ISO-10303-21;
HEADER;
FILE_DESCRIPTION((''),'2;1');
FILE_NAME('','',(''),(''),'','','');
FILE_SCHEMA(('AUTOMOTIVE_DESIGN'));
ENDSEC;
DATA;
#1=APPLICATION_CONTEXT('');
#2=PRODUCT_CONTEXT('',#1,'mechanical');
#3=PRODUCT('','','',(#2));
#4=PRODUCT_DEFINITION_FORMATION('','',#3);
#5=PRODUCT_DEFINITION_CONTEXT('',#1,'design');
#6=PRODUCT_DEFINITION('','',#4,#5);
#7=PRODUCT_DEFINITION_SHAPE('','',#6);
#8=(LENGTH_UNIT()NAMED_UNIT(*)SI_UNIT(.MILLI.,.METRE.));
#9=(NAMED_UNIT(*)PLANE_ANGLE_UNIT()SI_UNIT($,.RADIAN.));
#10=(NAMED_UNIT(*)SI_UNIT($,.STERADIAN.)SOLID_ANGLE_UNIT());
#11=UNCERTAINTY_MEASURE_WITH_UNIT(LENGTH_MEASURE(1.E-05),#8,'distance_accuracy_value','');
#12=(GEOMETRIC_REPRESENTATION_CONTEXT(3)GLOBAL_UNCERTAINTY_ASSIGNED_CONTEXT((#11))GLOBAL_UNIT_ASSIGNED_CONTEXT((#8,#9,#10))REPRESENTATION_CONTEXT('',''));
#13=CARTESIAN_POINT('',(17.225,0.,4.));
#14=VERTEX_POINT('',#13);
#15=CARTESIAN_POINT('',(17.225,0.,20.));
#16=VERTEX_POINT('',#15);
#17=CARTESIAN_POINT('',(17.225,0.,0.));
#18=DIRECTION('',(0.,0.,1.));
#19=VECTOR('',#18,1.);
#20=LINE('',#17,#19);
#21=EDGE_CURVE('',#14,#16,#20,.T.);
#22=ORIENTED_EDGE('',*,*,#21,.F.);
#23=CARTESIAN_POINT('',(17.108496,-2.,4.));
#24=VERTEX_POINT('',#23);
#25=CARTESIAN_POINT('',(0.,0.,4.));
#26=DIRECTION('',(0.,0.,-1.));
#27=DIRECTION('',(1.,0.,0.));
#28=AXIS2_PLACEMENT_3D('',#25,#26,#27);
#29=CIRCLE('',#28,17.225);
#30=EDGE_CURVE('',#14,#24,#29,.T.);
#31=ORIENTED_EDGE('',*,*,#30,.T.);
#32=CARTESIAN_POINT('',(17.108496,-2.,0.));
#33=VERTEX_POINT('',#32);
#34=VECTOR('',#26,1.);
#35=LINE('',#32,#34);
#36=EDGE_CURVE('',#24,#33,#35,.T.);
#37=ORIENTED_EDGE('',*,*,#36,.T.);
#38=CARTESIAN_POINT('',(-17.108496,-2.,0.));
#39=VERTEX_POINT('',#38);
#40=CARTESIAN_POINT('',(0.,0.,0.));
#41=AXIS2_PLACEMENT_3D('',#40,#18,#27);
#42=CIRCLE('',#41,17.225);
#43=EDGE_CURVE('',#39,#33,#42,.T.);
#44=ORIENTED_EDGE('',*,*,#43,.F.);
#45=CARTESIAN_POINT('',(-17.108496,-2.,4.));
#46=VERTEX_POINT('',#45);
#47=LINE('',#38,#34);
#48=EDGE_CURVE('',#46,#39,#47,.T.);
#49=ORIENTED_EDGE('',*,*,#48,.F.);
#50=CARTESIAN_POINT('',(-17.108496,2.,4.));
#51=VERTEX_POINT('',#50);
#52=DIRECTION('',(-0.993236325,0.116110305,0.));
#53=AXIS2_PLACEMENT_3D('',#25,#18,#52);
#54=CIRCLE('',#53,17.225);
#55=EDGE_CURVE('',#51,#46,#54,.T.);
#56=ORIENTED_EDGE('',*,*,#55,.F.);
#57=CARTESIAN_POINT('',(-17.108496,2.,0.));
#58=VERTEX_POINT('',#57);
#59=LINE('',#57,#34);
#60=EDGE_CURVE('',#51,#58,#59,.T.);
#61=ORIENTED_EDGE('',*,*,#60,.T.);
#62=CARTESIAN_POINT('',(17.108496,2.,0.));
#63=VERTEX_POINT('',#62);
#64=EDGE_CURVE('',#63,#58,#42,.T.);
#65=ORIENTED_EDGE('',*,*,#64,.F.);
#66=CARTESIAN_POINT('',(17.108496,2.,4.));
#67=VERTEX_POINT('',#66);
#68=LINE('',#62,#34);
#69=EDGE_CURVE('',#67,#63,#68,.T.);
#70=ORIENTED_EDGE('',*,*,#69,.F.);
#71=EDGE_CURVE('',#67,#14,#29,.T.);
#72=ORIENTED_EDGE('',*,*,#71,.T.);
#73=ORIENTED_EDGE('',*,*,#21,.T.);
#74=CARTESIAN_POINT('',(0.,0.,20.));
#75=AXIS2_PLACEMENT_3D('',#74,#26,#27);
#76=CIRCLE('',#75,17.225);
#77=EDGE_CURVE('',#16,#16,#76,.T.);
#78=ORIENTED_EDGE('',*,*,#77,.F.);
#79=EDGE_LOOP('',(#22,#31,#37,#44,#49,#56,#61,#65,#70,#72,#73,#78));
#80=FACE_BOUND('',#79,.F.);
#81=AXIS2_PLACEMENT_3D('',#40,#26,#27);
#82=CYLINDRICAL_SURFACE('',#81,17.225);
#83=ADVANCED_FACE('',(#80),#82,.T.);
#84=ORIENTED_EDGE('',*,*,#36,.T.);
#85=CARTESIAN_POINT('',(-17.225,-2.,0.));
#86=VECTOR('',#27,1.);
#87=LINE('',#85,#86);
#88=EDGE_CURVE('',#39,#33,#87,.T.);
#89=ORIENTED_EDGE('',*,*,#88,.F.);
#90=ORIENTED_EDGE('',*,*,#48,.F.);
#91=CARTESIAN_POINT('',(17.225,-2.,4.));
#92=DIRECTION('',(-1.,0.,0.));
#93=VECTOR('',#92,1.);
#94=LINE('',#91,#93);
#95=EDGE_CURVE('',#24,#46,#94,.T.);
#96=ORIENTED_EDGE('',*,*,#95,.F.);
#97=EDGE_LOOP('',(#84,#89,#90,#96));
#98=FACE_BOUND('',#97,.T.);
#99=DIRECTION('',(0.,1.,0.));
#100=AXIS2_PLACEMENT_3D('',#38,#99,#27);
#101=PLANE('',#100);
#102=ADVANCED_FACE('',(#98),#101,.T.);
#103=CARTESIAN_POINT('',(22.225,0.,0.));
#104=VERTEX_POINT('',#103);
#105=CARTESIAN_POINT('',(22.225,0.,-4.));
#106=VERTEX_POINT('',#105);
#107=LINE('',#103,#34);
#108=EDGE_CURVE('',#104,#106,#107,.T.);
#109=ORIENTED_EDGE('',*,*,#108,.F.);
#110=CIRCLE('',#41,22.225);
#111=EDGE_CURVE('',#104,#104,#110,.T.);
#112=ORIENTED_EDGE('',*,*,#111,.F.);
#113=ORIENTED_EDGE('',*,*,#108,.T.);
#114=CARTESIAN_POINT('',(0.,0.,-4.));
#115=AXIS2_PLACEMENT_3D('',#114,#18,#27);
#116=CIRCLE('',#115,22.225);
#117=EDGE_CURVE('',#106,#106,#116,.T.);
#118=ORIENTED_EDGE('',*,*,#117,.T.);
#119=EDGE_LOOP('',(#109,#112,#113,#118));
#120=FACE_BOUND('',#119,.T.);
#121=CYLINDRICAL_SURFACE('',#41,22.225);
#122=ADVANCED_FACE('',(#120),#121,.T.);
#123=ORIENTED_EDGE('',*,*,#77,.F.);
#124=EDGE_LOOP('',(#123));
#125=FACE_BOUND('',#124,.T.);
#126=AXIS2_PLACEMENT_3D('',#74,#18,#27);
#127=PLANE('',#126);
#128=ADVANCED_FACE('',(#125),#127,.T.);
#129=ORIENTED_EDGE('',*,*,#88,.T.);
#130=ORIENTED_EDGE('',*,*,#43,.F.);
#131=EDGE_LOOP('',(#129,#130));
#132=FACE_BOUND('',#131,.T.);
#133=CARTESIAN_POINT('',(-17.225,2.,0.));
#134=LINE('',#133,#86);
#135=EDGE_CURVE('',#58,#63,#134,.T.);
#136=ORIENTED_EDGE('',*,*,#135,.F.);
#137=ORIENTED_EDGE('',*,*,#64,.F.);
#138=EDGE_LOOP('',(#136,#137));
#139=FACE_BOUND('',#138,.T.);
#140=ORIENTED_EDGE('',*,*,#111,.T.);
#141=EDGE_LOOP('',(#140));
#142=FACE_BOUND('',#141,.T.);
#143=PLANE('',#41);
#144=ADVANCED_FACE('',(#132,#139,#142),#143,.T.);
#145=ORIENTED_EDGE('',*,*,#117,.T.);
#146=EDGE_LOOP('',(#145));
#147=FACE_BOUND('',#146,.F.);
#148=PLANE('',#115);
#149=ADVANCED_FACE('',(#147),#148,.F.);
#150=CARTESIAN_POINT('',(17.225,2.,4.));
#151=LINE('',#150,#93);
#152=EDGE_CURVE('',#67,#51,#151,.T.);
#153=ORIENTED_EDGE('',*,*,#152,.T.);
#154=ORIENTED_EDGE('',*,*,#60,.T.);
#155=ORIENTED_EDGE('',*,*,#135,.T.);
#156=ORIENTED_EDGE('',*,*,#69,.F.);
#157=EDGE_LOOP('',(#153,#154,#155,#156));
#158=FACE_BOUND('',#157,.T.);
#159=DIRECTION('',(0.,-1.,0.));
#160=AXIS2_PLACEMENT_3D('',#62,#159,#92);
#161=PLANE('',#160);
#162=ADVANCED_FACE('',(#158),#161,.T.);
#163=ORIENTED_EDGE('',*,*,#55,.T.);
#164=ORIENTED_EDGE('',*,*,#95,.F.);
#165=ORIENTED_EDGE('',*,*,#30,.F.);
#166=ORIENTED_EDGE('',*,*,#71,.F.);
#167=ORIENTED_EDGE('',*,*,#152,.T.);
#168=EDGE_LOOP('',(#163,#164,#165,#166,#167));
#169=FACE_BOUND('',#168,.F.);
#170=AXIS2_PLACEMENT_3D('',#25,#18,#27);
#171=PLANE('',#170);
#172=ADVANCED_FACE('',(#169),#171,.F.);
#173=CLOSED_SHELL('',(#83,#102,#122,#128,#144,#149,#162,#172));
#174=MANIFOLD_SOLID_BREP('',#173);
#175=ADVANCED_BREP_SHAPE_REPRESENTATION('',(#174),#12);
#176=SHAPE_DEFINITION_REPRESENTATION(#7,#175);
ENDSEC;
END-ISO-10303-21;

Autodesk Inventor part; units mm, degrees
ref_plane "YZ Plane" through (0, 0, 0) normal (1, 0, 0) x (0, 1, 0)
ref_plane "XZ Plane" through (0, 0, 0) normal (0, 1, 0) x (-1, 0, 0)
ref_plane "XY Plane" through (0, 0, 0) normal (0, 0, 1) x (1, 0, 0)
sketch "Sketch1" plane through (0, 0, 0) normal (0, 0, 1) x (1, 0, 0)
  circle A0 centre (0, 0) radius 22.225
  circle A1 centre (0, 0) radius 17.225
  line L0 (-17.225, -2) -> (17.225, -2)
  line L1 (17.225, -2) -> (17.225, 2)
  line L2 (17.225, 2) -> (-17.225, 2)
  line L3 (-17.225, 2) -> (-17.225, -2)
  line L4 (-17.225, -2) -> (17.225, 2) construction
  line L5 (17.225, -2) -> (-17.225, 2) construction
  dimension "d0" = 44.45
  dimension "d1" = 34.45
  dimension "d2" = 4
extrude "Extrusion1" add sketch "Sketch1" against normal blind 4 contours A0 | A1 L0 L2 | L1 L0 A1 | A1 L2 L1 | L2 A1 | A1 L0 | A1 L3 L2 | L0 L3 A1
extrude "Extrusion2" add sketch "Sketch1" along normal blind 20 contours A1 L0 L2 | L2 A1 | A1 L0
extrude "Extrusion3" cut sketch "Sketch1" along normal blind 4 contours A1 L0 L2 | L1 L0 A1 | A1 L2 L1 | A1 L3 L2 | L0 L3 A1
equation "\"d0\" = tube_ID"
equation "\"d3\" = sheet"
equation "\"d5\" = 5 * sheet"
equation "\"d7\" = sheet"
equation "\"tube_ID\" = 44.45"
equation "\"sheet\" = 4"
properties part number "battery_endcap"
